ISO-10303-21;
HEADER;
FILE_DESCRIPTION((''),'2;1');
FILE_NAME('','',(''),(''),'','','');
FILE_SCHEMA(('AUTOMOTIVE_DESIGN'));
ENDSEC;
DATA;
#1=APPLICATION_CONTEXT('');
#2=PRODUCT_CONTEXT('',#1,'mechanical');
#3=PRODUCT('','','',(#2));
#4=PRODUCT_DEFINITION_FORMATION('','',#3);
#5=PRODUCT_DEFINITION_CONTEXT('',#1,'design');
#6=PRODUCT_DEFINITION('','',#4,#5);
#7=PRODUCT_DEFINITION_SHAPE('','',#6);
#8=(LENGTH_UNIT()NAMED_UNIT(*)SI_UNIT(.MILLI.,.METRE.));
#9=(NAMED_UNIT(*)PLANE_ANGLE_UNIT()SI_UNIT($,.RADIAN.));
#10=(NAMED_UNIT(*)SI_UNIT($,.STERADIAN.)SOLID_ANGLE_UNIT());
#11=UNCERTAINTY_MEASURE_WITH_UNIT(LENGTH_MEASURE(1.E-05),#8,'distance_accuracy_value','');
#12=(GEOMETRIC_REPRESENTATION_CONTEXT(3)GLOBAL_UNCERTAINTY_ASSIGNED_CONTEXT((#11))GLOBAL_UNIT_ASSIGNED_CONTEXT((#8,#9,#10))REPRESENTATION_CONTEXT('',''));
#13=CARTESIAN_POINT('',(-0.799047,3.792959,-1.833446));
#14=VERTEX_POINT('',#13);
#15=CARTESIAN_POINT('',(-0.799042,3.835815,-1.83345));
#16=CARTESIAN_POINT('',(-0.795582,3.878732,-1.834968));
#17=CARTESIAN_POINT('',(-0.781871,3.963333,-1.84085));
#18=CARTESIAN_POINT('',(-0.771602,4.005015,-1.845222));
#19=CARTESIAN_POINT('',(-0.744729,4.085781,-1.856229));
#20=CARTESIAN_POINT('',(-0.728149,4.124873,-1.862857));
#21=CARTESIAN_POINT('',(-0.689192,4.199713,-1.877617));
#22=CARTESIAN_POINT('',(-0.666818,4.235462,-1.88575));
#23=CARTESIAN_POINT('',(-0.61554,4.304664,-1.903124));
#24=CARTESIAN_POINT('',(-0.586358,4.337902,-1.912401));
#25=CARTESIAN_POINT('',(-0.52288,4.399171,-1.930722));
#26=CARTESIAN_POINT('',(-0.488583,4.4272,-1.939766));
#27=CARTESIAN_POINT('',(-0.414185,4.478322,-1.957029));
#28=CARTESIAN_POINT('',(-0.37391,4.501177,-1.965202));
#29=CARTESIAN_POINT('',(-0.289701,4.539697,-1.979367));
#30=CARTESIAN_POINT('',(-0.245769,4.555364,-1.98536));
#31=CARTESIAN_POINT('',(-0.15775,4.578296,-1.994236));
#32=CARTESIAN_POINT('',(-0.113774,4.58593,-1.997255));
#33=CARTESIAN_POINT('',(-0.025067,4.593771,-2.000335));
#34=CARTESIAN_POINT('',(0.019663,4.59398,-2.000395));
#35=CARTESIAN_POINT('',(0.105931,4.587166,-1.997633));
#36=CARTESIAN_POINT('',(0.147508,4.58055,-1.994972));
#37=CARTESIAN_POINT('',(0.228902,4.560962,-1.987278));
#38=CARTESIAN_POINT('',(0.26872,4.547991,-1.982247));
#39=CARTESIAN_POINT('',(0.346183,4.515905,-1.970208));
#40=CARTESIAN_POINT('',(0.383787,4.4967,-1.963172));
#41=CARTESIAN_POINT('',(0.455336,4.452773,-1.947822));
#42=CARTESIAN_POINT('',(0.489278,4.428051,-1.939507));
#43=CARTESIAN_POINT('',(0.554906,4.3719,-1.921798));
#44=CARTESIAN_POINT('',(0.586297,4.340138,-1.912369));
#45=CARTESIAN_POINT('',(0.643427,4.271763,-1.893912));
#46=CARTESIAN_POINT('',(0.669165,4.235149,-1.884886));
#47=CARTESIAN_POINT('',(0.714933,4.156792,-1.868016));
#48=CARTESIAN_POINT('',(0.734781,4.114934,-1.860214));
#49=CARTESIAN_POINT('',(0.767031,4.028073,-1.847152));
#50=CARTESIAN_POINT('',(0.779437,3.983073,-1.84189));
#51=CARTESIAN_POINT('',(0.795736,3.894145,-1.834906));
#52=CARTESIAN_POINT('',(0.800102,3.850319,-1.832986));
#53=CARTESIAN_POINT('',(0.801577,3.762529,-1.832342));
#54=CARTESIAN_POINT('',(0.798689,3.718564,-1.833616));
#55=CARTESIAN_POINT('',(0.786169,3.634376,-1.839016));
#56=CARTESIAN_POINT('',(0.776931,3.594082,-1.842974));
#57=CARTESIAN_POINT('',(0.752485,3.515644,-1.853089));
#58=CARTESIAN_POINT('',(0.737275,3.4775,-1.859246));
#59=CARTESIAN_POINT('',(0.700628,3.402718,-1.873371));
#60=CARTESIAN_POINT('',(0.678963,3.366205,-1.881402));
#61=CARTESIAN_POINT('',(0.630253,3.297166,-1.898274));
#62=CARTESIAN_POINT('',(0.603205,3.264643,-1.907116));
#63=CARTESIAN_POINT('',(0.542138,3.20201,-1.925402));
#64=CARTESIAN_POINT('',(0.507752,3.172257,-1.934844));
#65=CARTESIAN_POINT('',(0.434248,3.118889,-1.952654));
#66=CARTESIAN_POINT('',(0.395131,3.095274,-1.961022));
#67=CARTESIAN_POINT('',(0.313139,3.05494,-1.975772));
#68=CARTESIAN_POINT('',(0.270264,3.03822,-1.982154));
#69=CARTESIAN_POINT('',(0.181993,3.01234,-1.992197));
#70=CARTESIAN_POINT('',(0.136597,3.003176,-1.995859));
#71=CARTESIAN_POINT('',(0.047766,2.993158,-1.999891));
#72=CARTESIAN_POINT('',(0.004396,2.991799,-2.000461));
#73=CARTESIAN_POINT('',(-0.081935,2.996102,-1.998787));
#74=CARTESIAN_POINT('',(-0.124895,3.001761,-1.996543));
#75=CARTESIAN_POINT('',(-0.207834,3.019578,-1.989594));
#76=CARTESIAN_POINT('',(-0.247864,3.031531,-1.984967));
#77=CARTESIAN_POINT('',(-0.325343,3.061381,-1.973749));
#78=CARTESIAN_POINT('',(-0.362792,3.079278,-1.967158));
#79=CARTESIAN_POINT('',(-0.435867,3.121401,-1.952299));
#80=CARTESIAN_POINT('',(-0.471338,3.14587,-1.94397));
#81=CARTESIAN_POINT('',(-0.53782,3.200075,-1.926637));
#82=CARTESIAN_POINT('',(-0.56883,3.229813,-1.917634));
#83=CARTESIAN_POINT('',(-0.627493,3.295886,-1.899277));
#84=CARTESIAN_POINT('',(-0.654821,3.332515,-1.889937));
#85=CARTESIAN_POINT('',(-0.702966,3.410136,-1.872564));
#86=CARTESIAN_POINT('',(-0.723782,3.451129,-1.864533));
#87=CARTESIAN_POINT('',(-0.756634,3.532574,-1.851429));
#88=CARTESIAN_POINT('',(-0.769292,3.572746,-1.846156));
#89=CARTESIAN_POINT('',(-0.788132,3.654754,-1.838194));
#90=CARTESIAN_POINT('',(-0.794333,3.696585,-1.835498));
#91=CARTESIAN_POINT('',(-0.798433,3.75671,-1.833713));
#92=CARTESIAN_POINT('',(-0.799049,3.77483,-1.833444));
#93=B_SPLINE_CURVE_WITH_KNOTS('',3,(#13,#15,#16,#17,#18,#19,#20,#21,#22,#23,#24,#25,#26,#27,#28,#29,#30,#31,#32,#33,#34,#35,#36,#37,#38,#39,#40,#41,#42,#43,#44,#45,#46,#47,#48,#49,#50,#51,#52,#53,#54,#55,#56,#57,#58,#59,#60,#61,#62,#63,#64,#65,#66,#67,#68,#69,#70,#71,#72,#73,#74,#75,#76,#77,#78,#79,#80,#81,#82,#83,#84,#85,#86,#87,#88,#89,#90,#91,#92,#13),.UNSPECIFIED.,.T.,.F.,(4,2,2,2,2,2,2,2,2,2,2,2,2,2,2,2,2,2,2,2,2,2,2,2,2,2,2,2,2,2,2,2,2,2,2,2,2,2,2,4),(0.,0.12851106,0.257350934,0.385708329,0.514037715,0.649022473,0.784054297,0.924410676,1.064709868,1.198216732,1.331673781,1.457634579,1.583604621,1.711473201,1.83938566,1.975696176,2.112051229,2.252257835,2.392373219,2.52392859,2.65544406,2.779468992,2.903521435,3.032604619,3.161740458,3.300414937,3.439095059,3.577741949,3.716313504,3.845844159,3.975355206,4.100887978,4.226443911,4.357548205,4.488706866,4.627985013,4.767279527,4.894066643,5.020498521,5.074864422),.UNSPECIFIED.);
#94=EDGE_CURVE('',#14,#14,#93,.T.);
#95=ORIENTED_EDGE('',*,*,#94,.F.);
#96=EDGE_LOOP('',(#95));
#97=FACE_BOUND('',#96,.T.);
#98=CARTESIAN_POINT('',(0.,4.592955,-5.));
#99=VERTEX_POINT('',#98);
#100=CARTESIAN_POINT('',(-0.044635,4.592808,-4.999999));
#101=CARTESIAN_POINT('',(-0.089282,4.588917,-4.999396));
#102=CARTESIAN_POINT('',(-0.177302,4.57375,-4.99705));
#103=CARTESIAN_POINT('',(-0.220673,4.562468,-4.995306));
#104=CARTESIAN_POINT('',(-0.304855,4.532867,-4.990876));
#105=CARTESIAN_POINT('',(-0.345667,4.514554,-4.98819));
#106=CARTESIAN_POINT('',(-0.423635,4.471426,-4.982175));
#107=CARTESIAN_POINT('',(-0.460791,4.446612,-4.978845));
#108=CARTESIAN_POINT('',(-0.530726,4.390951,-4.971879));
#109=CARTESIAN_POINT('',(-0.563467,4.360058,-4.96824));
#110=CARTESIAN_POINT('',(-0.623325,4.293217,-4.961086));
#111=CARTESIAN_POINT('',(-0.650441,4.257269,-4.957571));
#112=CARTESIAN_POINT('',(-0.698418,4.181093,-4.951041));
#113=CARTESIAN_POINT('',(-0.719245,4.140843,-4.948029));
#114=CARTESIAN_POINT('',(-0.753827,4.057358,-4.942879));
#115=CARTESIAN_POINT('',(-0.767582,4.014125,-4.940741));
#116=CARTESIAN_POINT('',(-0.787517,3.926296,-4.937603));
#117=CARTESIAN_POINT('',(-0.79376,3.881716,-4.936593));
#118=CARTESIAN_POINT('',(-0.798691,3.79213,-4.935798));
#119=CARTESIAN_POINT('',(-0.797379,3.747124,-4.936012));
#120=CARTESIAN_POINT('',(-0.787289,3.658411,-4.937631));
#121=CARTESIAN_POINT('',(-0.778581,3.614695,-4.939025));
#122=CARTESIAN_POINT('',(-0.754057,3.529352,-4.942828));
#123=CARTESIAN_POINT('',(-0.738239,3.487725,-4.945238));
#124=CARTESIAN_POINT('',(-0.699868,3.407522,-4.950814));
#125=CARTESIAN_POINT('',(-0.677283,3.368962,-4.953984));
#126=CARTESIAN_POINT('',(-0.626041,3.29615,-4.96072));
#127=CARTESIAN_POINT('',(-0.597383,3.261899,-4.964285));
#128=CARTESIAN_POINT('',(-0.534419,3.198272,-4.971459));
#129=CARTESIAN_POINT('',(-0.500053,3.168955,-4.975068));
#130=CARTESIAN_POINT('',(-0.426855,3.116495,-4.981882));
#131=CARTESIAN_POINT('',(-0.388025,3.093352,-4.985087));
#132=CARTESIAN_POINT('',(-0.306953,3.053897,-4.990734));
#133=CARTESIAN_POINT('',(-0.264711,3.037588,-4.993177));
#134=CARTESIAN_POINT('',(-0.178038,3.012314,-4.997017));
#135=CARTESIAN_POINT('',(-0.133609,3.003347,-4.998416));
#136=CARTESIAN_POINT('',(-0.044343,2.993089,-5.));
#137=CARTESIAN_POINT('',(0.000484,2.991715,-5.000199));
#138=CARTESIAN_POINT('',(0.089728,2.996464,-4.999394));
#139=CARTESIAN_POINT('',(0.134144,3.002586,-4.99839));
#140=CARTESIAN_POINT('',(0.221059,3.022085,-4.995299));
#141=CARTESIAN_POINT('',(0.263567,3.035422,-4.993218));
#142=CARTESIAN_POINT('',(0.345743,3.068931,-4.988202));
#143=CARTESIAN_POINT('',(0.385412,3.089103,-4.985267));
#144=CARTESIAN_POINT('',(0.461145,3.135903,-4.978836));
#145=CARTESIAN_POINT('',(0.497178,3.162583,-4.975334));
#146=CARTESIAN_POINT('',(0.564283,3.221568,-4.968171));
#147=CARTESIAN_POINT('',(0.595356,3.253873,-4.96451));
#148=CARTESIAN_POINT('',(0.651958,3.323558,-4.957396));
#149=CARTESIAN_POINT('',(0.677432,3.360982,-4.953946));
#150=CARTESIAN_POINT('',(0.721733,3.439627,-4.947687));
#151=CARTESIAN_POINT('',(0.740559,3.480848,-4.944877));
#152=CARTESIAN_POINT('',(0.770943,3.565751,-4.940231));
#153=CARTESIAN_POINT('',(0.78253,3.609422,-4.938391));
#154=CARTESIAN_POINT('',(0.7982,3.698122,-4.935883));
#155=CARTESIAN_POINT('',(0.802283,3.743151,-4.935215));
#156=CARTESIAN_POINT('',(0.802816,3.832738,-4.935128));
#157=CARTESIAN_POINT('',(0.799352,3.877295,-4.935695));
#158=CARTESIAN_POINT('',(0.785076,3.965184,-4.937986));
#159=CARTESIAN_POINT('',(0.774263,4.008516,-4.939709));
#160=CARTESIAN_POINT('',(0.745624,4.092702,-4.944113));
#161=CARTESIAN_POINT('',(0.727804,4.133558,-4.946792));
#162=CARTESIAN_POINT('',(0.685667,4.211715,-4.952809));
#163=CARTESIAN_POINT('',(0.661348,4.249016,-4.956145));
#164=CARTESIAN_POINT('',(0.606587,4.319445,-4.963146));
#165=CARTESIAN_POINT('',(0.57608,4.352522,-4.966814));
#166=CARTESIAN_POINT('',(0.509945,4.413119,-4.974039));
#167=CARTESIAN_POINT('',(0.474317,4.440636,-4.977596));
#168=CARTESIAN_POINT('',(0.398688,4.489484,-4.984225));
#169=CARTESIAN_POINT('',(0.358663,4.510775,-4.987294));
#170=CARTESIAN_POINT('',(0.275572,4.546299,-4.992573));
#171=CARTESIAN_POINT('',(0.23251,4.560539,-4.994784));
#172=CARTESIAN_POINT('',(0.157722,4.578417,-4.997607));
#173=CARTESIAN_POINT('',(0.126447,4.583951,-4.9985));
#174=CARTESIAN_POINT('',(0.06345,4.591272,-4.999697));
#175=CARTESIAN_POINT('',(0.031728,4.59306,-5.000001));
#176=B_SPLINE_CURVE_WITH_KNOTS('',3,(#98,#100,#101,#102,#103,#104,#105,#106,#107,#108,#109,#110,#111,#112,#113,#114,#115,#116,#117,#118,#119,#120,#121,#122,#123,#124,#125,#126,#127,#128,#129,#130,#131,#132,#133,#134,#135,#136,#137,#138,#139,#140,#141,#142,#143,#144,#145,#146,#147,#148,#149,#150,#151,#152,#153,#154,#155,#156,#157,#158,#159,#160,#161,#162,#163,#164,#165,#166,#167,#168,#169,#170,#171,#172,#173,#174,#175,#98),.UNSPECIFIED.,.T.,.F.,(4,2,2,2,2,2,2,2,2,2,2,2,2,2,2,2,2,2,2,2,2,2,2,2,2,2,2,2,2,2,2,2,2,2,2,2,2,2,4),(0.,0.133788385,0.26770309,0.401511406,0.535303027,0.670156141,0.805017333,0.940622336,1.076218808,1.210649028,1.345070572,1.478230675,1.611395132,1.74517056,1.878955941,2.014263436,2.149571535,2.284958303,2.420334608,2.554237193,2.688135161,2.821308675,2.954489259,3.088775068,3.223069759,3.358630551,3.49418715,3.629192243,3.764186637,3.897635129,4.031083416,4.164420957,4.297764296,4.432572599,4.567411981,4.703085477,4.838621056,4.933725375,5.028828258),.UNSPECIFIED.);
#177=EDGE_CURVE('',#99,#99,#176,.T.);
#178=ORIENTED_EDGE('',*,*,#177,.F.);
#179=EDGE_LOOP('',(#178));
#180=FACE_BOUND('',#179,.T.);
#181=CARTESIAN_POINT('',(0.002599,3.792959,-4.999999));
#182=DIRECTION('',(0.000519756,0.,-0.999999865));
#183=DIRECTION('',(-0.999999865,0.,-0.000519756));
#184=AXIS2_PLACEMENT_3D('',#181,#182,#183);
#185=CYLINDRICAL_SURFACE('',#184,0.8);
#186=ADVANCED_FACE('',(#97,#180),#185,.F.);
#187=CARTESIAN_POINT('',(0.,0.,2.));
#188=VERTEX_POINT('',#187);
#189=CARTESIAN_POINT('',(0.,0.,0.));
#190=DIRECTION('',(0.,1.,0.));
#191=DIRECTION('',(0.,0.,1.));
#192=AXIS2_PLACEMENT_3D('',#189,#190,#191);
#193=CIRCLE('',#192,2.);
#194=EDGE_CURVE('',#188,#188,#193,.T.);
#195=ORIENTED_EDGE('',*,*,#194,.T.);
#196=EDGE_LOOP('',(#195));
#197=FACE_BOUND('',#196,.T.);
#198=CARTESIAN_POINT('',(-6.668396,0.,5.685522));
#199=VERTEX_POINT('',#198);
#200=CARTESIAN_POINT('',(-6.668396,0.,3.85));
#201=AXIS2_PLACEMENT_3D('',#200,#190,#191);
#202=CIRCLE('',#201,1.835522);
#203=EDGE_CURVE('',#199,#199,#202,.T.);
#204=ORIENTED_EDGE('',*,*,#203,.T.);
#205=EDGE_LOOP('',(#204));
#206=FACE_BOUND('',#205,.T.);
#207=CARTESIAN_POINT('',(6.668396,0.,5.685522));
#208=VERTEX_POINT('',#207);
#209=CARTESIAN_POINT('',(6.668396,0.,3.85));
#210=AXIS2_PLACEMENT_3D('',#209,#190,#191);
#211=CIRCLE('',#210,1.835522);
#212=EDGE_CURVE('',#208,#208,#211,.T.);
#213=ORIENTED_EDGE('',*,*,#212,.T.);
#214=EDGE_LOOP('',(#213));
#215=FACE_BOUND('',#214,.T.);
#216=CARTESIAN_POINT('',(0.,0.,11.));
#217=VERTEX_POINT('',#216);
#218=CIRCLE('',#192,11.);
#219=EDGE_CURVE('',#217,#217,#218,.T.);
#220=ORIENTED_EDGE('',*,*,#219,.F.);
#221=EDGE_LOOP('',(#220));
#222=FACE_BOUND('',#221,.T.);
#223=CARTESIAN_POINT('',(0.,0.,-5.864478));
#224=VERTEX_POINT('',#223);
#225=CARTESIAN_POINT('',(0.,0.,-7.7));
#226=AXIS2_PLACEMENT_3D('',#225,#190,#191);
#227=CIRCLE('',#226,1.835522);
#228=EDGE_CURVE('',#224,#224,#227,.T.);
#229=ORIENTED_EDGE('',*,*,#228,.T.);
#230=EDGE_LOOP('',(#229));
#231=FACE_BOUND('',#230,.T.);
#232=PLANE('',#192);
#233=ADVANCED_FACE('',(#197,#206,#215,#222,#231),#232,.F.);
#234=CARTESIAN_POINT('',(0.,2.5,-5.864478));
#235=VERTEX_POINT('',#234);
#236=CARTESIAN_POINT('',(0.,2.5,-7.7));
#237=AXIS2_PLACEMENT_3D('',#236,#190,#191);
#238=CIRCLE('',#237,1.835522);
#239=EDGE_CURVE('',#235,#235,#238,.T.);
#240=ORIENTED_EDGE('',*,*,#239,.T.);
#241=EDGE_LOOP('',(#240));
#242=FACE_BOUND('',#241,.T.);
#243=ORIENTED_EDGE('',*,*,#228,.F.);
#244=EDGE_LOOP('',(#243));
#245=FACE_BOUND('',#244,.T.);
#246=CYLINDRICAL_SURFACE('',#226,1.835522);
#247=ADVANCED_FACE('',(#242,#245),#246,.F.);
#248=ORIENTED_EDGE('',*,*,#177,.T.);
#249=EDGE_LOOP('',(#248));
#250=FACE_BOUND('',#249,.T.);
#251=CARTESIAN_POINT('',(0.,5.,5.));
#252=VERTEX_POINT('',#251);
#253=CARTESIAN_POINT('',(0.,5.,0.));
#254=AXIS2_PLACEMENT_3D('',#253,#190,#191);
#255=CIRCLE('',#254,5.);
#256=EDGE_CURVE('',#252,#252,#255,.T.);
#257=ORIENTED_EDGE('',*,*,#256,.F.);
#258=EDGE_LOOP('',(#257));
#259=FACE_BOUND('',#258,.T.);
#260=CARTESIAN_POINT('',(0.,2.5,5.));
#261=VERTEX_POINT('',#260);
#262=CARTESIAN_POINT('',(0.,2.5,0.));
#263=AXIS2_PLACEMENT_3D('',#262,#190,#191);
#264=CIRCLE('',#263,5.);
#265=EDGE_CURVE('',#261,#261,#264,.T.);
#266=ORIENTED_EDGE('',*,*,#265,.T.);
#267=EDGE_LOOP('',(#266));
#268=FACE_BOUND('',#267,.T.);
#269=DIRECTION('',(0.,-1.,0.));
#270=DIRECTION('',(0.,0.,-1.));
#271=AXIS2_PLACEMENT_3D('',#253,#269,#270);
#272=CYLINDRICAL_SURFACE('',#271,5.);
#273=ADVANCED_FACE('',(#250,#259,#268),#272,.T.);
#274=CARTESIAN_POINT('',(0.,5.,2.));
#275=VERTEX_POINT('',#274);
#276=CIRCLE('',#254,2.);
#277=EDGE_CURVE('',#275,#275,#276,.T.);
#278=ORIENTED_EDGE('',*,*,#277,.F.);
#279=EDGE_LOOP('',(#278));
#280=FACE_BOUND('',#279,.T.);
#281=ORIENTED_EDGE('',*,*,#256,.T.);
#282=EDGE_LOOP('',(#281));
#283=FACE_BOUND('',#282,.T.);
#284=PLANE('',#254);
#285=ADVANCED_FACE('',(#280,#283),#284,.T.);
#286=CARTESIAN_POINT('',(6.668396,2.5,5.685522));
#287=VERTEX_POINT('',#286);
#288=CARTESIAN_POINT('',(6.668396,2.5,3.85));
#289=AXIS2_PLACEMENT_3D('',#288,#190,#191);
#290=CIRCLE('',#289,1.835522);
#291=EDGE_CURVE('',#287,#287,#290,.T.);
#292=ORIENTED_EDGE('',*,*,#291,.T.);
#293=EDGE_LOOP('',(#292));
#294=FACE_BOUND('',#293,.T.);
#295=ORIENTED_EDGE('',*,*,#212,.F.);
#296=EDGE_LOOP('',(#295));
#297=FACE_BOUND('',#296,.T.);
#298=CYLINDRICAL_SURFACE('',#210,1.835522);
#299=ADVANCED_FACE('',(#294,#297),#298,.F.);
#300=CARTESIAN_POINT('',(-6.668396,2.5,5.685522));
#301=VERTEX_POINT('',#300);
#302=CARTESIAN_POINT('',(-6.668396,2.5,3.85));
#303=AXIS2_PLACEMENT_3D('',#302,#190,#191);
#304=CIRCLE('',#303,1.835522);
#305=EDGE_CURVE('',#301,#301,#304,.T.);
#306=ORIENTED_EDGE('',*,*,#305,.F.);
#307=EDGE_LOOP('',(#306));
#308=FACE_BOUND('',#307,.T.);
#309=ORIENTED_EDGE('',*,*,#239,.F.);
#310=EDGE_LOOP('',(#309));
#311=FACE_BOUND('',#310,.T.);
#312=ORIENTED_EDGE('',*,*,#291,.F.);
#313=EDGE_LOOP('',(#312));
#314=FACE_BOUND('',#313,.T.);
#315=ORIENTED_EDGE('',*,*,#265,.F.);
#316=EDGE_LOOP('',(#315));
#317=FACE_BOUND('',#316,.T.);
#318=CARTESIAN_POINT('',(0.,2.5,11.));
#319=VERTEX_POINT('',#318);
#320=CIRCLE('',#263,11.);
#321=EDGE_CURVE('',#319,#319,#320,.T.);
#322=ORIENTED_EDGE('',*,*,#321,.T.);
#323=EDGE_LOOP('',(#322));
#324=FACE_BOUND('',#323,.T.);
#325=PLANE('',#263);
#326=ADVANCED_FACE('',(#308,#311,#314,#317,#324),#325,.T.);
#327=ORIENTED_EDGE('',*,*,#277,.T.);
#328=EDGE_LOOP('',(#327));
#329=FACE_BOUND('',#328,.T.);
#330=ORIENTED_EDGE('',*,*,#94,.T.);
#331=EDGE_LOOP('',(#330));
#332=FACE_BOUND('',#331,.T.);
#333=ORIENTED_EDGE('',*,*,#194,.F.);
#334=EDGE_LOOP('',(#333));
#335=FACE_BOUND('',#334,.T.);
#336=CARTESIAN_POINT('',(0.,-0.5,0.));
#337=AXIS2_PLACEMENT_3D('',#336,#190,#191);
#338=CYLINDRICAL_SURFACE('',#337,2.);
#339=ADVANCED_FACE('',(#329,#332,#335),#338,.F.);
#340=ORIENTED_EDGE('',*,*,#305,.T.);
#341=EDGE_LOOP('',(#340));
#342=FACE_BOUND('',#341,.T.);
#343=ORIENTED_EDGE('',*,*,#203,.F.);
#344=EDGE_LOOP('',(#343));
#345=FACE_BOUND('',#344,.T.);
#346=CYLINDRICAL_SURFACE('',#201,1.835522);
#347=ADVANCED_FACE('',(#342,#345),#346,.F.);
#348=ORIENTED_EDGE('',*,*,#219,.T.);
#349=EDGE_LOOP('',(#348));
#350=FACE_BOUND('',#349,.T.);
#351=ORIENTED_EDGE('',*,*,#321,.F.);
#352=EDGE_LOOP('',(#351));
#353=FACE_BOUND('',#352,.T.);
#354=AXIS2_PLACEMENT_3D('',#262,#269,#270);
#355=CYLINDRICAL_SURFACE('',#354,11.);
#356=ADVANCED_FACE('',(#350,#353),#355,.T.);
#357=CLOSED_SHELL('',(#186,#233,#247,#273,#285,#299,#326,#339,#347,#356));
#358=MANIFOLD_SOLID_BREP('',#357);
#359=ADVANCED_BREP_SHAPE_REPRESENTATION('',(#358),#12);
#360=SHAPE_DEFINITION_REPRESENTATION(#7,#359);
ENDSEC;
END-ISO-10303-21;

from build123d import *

# Parameters (mm, degrees)
ESBO_O1_R                                      = 11
RESSALTO_EXTRUS_O1_DEPTH                       = 2.5
ESBO_O3_R                                      = 1.835521505
CORTE_EXTRUS_O1_DEPTH                          = 2.5
ESBO_O18_R                                     = 5
RESSALTO_EXTRUS_O5_DEPTH                       = 2.5
ESBO_O20_R                                     = 2
CORTE_EXTRUS_O5_DEPTH                          = 5.5
BROCA_DE_ROSQUEAR_PARA_TARRAXA_DE_M2X0_4_REACH = 21.785
BROCA_DE_ROSQUEAR_PARA_TARRAXA_DE_M2_2_R       = 0.8


with BuildPart() as part:
    # Esboço1 → Ressalto-extrusão1 (new body)
    with BuildSketch(Plane(origin=(0, 0, 0), x_dir=(1, 0, 0), z_dir=(0, 1, 0))):
        with Locations(Location((0, 0, 0), (0, 0, 270))):
            Circle(ESBO_O1_R)
    extrude(amount=RESSALTO_EXTRUS_O1_DEPTH)

    # Esboço3 → Corte-extrusão1 (cut)
    with BuildSketch(Plane(origin=(0, 2.5, 0), x_dir=(1, 0, 0), z_dir=(0, 1, 0))):
        with Locations(Location((0, 7.7, 0), (0, 0, 270))):
            Circle(ESBO_O3_R)
        with Locations(Location((6.668395609, -3.85, 0), (0, 0, 270))):
            Circle(ESBO_O3_R)
        with Locations(Location((-6.668395609, -3.85, 0), (0, 0, 270))):
            Circle(ESBO_O3_R)
    extrude(amount=-CORTE_EXTRUS_O1_DEPTH, mode=Mode.SUBTRACT)

    # Esboço18 → Ressalto-extrusão5 (add)
    with BuildSketch(Plane(origin=(0, 2.5, 0), x_dir=(1, 0, 0), z_dir=(0, 1, 0))):
        with Locations(Location((0, 0, 0), (0, 0, 270))):
            Circle(ESBO_O18_R)
    extrude(amount=RESSALTO_EXTRUS_O5_DEPTH)

    # Esboço20 → Corte-extrusão5 (cut)
    with BuildSketch(Plane(origin=(0, 5, 0), x_dir=(1, 0, 0), z_dir=(0, 1, 0))):
        with Locations(Location((0, 0, 0), (0, 0, 270))):
            Circle(ESBO_O20_R)
    extrude(amount=-CORTE_EXTRUS_O5_DEPTH, mode=Mode.SUBTRACT)

    # Broca de rosquear para tarraxa de M2 2 (on position points) → Broca de rosquear para tarraxa de M2x0.41 (cut, up to next)
    with BuildSketch(Plane(origin=(0.002598781, 3.792959438, -4.999999325), x_dir=(-0.999999864927, 0, -0.000519756122), z_dir=(0.000519756122, 0, -0.999999864927)), mode=Mode.PRIVATE) as broca_de_rosquear_para_tarraxa_de_m2x0_4_sk1:
        Circle(BROCA_DE_ROSQUEAR_PARA_TARRAXA_DE_M2_2_R)
    broca_de_rosquear_para_tarraxa_de_m2x0_4_tool1 = extrude(broca_de_rosquear_para_tarraxa_de_m2x0_4_sk1.sketch, amount=-BROCA_DE_ROSQUEAR_PARA_TARRAXA_DE_M2X0_4_REACH, mode=Mode.PRIVATE) & part.part
    add(broca_de_rosquear_para_tarraxa_de_m2x0_4_tool1.solids().sort_by_distance((0.002599, 3.792959, -4.999999))[0], mode=Mode.SUBTRACT)


solid = part.part
